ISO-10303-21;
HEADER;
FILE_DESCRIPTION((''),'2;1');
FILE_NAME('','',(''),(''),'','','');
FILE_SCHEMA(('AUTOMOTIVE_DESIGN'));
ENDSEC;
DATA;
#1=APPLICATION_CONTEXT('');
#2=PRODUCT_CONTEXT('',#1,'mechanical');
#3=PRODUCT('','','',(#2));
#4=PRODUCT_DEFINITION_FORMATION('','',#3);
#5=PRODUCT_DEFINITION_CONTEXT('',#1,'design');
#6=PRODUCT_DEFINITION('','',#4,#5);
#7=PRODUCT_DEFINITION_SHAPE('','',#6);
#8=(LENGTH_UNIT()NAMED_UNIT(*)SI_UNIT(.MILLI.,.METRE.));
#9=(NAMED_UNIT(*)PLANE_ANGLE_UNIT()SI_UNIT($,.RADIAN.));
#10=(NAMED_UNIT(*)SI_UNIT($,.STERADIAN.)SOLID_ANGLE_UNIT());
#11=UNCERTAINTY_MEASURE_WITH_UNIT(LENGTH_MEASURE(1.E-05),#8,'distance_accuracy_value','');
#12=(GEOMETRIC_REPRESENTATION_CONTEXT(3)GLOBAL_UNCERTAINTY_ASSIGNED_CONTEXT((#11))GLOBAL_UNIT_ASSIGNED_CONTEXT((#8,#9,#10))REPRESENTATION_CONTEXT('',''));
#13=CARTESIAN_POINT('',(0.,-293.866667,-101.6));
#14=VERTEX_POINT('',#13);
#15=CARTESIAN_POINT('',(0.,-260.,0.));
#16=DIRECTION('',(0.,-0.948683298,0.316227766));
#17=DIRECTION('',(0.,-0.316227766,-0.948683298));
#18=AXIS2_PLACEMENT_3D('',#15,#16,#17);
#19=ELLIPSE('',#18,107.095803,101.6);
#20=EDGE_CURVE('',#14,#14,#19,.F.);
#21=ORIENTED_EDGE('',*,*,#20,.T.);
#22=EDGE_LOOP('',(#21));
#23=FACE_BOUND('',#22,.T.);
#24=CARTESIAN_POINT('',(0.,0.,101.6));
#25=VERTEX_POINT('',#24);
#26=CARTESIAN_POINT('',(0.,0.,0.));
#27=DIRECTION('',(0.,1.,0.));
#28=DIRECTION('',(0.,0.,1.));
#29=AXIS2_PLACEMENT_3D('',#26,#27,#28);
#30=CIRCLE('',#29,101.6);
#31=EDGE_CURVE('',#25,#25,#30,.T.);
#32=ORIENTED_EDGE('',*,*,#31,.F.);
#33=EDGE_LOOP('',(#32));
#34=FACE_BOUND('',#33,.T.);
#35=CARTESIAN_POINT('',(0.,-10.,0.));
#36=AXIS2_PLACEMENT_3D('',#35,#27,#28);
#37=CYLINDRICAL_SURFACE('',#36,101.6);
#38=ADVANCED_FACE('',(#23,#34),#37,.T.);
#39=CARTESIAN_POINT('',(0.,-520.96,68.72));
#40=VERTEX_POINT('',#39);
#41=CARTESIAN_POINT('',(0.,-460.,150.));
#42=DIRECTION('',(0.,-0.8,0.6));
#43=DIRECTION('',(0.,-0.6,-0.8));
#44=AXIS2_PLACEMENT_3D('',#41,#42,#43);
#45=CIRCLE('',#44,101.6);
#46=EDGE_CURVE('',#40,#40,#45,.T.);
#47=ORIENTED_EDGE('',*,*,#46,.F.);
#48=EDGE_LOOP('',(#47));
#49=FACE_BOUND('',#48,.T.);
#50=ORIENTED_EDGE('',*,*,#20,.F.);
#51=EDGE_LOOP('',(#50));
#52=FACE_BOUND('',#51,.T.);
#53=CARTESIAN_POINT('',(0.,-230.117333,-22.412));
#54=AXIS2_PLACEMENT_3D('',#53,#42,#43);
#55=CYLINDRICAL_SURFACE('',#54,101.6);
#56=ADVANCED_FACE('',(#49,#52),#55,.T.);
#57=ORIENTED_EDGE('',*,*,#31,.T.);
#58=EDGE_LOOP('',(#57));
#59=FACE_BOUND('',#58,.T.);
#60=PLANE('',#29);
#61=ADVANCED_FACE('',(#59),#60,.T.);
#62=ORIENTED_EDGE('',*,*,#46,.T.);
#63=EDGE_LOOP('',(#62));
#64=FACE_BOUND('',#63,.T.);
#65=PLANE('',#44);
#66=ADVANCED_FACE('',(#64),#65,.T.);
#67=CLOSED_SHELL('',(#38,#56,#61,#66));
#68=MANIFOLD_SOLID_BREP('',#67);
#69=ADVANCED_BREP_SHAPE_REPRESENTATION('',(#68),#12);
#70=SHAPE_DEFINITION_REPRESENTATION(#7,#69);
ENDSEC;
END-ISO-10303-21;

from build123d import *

# Parameters (mm, degrees)
CROQUIS1_R              = 101.6
SALIENTE_EXTRUIR1_DEPTH = 10
CROQUIS2_R              = 101.6


with BuildPart() as part:
    # Croquis1 → Saliente-Extruir1 (new body)
    with BuildSketch(Plane(origin=(0, 0, 0), x_dir=(1, 0, 0), z_dir=(0, 1, 0))):
        with Locations(Location((0, 0, 0), (0, 0, 270))):
            Circle(CROQUIS1_R)
    extrude(amount=-SALIENTE_EXTRUIR1_DEPTH)

    # Barrer1: sweep along a curve in space
    with BuildLine() as barrer1_path:
        Line((0, -10, 0), (0, -260, 0))
        Line((0, -460, 150), (0, -260, 0))
    # Croquis2 → Barrer1 (sweep)
    with BuildSketch(Plane.XZ.offset(10)):
        Circle(CROQUIS2_R)
    sweep(path=barrer1_path.line, transition=Transition.RIGHT)


solid = part.part
